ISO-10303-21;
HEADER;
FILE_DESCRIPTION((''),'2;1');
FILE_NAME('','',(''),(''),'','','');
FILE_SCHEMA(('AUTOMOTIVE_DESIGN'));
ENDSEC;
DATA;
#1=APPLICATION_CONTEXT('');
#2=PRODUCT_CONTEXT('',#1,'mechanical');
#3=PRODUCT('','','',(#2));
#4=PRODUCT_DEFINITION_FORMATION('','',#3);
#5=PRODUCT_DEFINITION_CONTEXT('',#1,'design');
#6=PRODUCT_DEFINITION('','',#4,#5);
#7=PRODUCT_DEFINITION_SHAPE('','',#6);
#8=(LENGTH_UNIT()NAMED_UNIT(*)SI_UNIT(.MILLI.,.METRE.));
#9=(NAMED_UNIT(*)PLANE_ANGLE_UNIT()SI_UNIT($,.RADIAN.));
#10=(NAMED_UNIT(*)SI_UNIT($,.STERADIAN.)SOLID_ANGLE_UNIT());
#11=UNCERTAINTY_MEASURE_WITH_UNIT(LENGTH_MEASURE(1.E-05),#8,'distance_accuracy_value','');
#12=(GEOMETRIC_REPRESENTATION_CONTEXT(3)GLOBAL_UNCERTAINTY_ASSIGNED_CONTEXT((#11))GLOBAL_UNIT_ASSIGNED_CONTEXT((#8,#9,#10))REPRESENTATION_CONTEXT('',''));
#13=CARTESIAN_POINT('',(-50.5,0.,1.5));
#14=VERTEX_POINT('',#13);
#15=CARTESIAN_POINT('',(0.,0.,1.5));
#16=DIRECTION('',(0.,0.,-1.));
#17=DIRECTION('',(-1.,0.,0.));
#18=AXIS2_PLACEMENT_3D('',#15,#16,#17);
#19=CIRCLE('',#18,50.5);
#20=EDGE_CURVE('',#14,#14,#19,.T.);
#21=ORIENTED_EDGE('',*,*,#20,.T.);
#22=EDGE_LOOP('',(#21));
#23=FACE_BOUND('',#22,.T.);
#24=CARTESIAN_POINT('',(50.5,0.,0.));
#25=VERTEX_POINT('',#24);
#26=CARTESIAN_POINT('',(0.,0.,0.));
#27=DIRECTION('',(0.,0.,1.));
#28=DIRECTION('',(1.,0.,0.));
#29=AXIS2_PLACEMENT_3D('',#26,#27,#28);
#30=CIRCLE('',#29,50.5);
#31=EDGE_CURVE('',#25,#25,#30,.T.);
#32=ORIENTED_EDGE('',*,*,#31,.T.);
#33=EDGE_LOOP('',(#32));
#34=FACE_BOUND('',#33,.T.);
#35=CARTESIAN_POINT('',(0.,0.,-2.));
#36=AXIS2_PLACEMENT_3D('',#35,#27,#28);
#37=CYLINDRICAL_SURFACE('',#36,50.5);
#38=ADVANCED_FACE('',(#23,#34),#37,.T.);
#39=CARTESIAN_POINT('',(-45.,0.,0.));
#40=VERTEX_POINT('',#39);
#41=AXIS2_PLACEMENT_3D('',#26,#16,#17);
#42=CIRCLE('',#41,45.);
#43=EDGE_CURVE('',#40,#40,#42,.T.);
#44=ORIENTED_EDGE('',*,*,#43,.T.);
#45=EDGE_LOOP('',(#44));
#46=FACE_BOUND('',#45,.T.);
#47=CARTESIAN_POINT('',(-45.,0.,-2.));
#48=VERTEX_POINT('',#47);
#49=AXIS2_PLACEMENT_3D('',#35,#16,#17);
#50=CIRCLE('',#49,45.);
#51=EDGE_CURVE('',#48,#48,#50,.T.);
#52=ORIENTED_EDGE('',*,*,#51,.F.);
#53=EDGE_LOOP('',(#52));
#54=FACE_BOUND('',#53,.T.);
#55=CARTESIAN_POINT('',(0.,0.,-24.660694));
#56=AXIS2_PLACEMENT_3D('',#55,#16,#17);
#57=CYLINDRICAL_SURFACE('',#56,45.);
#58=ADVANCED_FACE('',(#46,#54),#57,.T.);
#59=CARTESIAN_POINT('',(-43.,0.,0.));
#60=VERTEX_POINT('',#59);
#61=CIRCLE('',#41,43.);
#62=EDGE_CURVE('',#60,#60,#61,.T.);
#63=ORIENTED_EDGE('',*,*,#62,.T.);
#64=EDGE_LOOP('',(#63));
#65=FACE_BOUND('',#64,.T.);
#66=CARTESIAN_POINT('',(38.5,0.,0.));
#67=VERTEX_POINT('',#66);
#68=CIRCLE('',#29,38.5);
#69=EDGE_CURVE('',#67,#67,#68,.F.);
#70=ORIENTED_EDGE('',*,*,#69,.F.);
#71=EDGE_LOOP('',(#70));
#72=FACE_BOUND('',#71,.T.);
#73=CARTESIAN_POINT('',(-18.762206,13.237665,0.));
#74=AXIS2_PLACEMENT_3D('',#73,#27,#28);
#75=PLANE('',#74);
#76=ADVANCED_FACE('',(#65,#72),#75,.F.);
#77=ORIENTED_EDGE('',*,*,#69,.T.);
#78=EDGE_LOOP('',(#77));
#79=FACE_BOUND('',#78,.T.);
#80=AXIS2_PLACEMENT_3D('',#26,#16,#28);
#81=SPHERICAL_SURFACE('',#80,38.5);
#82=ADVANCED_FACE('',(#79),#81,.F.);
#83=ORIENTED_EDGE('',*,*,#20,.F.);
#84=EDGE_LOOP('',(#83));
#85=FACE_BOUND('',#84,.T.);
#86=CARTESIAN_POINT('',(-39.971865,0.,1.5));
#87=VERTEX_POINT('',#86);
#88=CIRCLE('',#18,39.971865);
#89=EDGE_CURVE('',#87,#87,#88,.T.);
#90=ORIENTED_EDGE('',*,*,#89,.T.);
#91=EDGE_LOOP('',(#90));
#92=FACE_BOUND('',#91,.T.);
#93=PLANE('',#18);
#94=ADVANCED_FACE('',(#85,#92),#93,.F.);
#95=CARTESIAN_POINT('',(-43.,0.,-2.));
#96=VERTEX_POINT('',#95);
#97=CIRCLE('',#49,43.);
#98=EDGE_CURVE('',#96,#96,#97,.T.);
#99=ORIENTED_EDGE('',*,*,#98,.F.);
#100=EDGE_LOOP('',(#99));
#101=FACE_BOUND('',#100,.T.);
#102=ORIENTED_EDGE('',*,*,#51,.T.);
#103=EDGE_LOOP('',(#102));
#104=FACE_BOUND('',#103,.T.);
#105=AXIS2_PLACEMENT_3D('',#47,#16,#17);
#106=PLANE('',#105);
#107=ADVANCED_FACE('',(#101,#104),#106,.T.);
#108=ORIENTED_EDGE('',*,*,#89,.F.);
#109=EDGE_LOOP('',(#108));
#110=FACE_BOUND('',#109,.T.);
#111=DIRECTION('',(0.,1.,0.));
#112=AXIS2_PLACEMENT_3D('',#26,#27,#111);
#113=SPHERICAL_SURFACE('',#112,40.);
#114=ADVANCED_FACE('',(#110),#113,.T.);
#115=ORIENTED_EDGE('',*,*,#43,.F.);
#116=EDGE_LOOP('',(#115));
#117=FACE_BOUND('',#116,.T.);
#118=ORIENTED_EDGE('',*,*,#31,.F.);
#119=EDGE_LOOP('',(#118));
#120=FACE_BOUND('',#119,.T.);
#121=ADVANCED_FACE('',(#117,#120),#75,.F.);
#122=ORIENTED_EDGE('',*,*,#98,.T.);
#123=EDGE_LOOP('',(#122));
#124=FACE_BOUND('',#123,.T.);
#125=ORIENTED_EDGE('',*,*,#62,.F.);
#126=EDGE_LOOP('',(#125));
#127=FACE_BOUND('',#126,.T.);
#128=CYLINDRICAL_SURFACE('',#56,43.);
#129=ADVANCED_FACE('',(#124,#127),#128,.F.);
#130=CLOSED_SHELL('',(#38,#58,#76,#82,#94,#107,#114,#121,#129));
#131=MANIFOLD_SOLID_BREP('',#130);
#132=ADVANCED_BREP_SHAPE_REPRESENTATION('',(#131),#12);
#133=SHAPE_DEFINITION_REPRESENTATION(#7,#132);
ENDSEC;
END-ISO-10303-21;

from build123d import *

# Parameters (mm, degrees)
SKETCH_2_R               = 101.541015805
CUT_EXTRUDE_1_DEPTH      = 92
SKETCH_4_R               = 60
SKETCH_4_R_2             = 39
EXTRUDE_1_DEPTH          = 1.5
SKETCH_5_W               = 2
SKETCH_5_H               = 2
CUT_EXTRUDE_2_DEPTH      = 94.808315196
CUT_EXTRUDE_2_DEPTH_BACK = 94.808315196
SKETCH_6_OUTSIDE_W       = 156.966
SKETCH_6_OUTSIDE_H       = 156.966
SKETCH_6_OUTSIDE_R       = 52.5
CUT_EXTRUDE_3_DEPTH      = 84.634622017
CUT_EXTRUDE_3_DEPTH_BACK = 84.634622017
SKETCH_7_OUTSIDE_W       = 137.864
SKETCH_7_OUTSIDE_H       = 137.864
SKETCH_7_OUTSIDE_R       = 50.5


with BuildPart() as part:
    # 草图1 → 旋转1 (revolve)
    with BuildSketch(Plane(origin=(0, 0, 0), x_dir=(0, 0, -1), z_dir=(1, 0, 0))):
        with BuildLine():
            Line((-40, 0), (40, 0))
            ThreePointArc((40, 0), (0, 40), (-40, 0))
        make_face()
    revolve(axis=Axis((0, 0, 40), (0, 0, -1)))

    # 草图2 → 切除-拉伸1 (cut)
    with BuildSketch(Plane.XY):
        with Locations((-18.762206379, 13.237665106)):
            Circle(SKETCH_2_R)
    extrude(amount=-CUT_EXTRUDE_1_DEPTH, mode=Mode.SUBTRACT)

    # 草图3 → 切除-旋转1 (revolve, cut)
    with BuildSketch(Plane(origin=(0, 0, 0), x_dir=(1, 0, 0), z_dir=(0, 1, 0))):
        with BuildLine():
            Line((0, 38.5), (0, -38.5))
            ThreePointArc((0, -38.5), (38.5, 0), (0, 38.5))
        make_face()
    revolve(axis=Axis((0, 0, -38.5), (0, 0, 1)), mode=Mode.SUBTRACT)

    # 草图4 → 凸台-拉伸1 (add)
    with BuildSketch(Plane(origin=(0, 0, 0), x_dir=(-1, 0, 0), z_dir=(0, 0, -1))):
        Circle(SKETCH_4_R)
        Circle(SKETCH_4_R_2, mode=Mode.SUBTRACT)
    extrude(amount=-EXTRUDE_1_DEPTH)

    # 草图5 → 旋转2 (revolve)
    with BuildSketch(Plane(origin=(0, 0, 0), x_dir=(1, 0, 0), z_dir=(0, 1, 0)), mode=Mode.PRIVATE) as revolve_2_sk:
        with Locations((-44, 1)):
            Rectangle(SKETCH_5_W, SKETCH_5_H)
    revolve(revolve_2_sk.sketch.rotate(Axis((0, 0, -24.660694069), (0, 0, 1)), 270), axis=Axis((0, 0, -24.660694069), (0, 0, 1)))

    # 草图6 outside → 切除-拉伸2 (cut, two sides: drawn at the far end of the back side and taken through both)
    with BuildSketch(Plane(origin=(0, 0, 0), x_dir=(-1, 0, 0), z_dir=(0, 0, -1)).offset(-CUT_EXTRUDE_2_DEPTH_BACK)):
        Rectangle(SKETCH_6_OUTSIDE_W, SKETCH_6_OUTSIDE_H)
        Circle(SKETCH_6_OUTSIDE_R, mode=Mode.SUBTRACT)
    extrude(amount=CUT_EXTRUDE_2_DEPTH + CUT_EXTRUDE_2_DEPTH_BACK, mode=Mode.SUBTRACT)

    # 草图7 outside → 切除-拉伸3 (cut, two sides: drawn at the far end of the back side and taken through both)
    with BuildSketch(Plane.XY.offset(1.5).offset(-CUT_EXTRUDE_3_DEPTH_BACK)):
        Rectangle(SKETCH_7_OUTSIDE_W, SKETCH_7_OUTSIDE_H)
        Circle(SKETCH_7_OUTSIDE_R, mode=Mode.SUBTRACT)
    extrude(amount=CUT_EXTRUDE_3_DEPTH + CUT_EXTRUDE_3_DEPTH_BACK, mode=Mode.SUBTRACT)


solid = part.part
